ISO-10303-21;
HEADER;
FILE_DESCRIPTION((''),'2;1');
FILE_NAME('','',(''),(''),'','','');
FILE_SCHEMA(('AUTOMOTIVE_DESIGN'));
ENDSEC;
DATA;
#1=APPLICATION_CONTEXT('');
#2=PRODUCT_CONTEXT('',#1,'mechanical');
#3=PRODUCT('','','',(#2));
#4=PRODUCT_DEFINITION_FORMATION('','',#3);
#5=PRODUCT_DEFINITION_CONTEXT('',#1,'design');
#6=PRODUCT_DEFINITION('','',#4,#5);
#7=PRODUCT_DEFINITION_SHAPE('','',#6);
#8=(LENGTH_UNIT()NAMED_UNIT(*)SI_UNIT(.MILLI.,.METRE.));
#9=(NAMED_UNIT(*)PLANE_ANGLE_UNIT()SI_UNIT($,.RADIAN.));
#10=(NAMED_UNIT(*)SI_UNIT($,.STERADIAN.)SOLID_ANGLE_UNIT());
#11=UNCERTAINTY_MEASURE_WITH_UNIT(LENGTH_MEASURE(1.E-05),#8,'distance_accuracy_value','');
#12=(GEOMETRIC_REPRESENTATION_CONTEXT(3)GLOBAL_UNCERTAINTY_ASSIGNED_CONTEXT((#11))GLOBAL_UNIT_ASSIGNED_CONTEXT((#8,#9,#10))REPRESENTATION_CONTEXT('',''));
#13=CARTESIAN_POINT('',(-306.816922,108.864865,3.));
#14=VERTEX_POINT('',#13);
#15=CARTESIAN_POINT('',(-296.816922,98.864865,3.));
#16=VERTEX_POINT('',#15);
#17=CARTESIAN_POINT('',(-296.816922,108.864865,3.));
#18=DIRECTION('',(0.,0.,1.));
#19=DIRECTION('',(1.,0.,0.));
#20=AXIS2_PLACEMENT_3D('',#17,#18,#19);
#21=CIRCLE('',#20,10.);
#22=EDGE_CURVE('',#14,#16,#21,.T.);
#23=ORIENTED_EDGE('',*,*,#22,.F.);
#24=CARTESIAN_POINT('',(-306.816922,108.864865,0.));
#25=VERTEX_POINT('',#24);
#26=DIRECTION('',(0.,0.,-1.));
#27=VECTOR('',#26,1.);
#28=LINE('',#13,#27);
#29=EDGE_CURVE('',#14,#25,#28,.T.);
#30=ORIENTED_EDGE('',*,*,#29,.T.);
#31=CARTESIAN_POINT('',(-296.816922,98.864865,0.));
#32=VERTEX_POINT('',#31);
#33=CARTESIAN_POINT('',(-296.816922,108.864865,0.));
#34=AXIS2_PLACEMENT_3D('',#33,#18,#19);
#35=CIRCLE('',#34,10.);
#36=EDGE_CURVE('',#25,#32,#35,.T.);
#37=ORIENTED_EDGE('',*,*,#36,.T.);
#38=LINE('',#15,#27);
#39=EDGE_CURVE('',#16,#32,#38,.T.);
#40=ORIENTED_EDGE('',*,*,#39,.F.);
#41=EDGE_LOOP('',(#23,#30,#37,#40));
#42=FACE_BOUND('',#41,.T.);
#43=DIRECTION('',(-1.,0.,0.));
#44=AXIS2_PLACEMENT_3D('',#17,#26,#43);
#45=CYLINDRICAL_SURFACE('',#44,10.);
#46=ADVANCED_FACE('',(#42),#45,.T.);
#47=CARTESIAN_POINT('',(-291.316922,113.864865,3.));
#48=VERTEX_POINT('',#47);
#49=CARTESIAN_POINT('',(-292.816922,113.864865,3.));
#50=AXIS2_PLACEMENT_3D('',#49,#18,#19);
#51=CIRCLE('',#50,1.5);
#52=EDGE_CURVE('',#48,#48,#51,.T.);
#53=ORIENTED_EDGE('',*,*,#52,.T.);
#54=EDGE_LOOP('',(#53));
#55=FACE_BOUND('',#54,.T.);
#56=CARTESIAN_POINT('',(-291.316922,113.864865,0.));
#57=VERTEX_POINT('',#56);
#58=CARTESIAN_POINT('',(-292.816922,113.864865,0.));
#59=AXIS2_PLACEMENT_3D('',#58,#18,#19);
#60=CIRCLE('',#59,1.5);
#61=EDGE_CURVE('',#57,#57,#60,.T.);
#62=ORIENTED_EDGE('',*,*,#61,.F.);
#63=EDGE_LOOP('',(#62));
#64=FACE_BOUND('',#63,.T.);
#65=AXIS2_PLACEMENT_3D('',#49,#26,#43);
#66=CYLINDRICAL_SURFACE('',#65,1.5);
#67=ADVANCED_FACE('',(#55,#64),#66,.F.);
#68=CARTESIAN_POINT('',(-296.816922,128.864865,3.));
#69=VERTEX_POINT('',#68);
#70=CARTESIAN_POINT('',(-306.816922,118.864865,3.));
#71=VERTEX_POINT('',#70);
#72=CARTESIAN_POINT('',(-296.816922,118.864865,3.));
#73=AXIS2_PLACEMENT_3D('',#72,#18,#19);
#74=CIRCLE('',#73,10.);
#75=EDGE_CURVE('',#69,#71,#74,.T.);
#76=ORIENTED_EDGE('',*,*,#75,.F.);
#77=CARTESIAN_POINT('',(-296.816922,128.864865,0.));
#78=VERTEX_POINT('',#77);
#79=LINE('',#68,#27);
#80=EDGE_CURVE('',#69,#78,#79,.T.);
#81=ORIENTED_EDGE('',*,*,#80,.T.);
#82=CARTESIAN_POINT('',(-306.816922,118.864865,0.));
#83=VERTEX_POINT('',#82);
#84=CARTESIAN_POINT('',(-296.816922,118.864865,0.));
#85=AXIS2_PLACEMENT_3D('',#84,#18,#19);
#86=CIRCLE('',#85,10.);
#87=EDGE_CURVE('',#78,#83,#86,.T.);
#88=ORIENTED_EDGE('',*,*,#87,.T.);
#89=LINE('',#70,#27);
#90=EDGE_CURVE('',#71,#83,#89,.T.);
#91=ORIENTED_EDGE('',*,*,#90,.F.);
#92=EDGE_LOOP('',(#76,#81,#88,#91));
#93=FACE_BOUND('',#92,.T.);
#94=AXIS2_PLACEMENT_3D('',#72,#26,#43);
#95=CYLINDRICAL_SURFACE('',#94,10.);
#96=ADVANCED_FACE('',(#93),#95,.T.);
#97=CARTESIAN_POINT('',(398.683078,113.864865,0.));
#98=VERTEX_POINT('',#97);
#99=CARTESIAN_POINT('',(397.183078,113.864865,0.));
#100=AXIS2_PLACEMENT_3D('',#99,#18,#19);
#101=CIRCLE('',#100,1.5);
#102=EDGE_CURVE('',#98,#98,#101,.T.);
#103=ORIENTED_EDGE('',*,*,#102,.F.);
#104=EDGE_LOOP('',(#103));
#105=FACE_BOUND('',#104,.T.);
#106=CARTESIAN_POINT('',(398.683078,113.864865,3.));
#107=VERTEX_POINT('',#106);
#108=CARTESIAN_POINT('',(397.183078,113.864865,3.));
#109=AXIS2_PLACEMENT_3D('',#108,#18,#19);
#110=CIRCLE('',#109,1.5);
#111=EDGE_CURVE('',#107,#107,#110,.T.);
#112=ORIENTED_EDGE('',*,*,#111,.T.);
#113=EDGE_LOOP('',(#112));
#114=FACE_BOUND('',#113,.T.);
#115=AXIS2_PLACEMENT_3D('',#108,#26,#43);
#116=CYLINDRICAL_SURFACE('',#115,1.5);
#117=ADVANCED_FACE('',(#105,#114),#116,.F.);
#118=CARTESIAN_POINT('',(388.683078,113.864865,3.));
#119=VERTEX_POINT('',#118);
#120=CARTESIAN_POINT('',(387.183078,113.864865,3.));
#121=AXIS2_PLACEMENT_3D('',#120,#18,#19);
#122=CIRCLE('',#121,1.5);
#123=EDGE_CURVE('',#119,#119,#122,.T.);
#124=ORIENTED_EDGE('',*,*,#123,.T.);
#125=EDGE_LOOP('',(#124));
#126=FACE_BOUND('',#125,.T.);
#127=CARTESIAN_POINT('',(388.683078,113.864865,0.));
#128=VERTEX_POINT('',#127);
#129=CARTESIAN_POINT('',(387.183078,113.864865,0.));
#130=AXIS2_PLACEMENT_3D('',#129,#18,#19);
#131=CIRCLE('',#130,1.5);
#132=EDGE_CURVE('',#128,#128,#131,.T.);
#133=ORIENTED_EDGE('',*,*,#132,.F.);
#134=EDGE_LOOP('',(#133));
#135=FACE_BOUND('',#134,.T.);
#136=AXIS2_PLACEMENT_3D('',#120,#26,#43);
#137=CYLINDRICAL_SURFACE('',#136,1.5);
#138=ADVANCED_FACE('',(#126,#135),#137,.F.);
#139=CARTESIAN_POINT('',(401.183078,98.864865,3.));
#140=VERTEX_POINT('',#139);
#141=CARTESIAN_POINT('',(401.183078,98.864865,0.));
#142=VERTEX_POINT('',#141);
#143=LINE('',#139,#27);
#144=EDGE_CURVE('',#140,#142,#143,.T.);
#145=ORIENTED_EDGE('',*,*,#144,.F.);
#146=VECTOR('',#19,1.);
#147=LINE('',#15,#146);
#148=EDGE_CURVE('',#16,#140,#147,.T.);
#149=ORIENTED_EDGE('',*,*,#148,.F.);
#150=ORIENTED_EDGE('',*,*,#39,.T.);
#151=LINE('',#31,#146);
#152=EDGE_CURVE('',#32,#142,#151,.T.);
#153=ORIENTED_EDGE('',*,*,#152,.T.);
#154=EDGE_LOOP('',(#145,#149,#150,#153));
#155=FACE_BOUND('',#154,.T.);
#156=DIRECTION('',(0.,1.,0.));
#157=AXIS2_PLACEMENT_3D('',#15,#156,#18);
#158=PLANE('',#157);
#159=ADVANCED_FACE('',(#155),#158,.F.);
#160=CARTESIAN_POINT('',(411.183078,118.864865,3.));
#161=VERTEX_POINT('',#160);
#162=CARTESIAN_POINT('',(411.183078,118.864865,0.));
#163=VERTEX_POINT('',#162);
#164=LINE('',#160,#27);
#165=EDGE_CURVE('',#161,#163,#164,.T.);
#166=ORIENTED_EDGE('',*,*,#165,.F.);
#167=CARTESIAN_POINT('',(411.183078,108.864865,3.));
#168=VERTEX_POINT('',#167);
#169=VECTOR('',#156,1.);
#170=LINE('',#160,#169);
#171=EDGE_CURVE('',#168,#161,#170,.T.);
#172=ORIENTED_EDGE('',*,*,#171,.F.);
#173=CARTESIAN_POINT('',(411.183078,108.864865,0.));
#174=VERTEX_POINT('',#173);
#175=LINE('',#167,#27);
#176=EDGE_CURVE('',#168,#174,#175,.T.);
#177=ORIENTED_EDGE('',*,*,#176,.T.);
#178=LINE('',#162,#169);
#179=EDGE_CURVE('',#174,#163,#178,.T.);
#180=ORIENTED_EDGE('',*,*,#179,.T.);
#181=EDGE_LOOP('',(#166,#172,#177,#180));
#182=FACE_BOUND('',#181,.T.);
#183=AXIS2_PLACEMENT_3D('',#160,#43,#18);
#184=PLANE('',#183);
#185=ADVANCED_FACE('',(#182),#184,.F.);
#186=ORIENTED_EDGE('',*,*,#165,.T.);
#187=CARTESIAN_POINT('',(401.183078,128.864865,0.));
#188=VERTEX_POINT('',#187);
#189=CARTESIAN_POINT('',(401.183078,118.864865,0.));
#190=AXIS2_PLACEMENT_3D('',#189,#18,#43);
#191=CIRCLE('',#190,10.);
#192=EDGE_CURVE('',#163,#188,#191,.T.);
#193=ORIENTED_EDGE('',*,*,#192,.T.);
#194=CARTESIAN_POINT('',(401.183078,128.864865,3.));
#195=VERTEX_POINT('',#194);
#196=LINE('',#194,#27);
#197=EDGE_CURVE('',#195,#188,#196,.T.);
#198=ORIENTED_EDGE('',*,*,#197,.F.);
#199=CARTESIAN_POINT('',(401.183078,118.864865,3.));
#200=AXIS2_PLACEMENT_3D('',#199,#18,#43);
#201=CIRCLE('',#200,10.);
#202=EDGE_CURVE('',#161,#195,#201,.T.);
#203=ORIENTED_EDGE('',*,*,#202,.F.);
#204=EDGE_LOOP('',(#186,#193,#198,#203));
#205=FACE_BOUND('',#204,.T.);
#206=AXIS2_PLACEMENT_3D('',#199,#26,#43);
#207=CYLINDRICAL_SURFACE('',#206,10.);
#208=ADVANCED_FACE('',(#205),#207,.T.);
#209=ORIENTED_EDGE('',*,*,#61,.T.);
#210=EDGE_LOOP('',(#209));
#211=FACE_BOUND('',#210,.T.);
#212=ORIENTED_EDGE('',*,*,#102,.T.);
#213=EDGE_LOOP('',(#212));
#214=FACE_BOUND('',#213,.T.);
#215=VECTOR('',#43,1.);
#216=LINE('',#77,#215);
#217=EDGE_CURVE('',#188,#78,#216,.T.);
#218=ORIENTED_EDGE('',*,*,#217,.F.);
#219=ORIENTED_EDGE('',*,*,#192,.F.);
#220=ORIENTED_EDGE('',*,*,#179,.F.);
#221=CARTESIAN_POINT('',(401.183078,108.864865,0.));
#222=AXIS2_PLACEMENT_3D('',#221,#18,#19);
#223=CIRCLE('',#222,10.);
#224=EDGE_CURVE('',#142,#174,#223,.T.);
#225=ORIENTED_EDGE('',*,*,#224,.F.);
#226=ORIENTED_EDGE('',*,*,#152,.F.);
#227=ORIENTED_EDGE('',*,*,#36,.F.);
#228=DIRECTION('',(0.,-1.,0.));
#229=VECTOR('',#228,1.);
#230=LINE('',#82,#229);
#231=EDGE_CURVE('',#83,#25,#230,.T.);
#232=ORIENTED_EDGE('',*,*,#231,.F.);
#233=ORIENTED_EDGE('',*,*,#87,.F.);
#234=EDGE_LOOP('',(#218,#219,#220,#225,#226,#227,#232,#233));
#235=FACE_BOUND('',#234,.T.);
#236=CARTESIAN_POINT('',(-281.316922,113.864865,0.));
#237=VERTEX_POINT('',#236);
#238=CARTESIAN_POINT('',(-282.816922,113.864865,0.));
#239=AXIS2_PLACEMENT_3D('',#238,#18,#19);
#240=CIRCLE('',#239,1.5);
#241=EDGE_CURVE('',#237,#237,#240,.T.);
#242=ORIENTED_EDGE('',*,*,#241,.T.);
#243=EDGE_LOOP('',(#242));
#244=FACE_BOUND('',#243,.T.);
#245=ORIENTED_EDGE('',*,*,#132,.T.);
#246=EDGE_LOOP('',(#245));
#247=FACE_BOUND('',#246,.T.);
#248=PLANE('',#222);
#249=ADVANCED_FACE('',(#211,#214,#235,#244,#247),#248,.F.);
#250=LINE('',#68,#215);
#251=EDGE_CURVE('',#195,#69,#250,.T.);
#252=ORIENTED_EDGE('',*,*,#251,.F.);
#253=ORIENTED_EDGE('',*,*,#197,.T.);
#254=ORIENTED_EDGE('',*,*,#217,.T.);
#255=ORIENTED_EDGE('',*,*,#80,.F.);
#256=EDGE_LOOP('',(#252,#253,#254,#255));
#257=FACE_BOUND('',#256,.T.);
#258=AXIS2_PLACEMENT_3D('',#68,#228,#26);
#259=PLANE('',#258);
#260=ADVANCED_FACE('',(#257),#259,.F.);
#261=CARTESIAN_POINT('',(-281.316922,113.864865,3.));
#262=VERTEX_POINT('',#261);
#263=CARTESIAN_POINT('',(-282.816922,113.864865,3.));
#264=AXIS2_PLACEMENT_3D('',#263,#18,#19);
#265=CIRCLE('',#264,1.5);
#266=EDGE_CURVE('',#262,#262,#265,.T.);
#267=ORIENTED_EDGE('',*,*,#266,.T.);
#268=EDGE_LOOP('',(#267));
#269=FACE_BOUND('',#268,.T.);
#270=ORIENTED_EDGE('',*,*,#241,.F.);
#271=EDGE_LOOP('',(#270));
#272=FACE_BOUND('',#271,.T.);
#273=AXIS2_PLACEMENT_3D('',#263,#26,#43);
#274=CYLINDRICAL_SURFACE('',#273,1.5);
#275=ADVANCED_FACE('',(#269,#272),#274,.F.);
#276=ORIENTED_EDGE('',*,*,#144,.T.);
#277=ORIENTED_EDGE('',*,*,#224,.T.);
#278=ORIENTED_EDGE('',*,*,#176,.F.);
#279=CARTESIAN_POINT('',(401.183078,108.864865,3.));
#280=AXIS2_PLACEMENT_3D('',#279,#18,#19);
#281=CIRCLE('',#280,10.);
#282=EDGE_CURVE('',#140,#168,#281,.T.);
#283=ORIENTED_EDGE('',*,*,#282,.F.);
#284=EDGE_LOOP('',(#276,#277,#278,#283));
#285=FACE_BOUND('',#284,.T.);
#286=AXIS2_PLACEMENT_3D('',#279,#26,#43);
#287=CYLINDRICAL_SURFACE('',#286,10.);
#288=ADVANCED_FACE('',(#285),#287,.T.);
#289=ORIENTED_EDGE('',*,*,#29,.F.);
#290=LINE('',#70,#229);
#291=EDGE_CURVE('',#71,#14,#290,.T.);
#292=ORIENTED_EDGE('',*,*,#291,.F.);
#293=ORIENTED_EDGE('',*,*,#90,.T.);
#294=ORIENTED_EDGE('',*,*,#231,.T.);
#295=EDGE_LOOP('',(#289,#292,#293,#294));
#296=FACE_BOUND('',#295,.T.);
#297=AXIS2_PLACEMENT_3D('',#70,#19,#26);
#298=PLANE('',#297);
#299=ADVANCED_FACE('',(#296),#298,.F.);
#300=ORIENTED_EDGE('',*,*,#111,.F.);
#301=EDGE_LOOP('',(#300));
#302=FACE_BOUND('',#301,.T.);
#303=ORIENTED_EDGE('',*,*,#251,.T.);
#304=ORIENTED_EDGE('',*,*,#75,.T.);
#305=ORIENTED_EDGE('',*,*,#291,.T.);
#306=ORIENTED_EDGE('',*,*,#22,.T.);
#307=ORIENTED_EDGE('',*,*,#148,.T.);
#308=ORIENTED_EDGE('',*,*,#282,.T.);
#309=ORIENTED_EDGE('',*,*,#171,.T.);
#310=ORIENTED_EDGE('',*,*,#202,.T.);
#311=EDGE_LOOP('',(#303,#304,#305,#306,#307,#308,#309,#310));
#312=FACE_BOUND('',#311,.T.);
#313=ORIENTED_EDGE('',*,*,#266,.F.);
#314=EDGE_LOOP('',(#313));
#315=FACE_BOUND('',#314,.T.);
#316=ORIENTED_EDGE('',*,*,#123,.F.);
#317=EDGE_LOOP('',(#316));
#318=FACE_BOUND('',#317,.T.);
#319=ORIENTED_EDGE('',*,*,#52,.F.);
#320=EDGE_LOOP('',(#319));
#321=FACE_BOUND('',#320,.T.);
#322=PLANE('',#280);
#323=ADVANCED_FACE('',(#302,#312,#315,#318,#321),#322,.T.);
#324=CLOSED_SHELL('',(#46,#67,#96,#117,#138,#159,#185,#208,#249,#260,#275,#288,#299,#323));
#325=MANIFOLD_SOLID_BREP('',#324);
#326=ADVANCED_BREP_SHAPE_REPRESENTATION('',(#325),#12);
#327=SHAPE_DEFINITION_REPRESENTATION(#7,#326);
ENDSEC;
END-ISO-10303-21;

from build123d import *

# Parameters (mm, degrees)
SKETCH1_R           = 1.5
BOSS_EXTRUDE1_DEPTH = 3


with BuildPart() as part:
    # Sketch1 → Boss-Extrude1 (new body)
    with BuildSketch(Plane.XY):
        with BuildLine():
            Line((-296.816922301, 128.864864865), (401.183077699, 128.864864865))
            ThreePointArc((401.183077699, 128.864864865), (408.254145511, 125.935932677), (411.183077699, 118.864864865))
            Line((411.183077699, 118.864864865), (411.183077699, 108.864864865))
            ThreePointArc((411.183077699, 108.864864865), (408.254145511, 101.793797053), (401.183077699, 98.864864865))
            Line((401.183077699, 98.864864865), (-296.816922301, 98.864864865))
            ThreePointArc((-296.816922301, 98.864864865), (-303.887990113, 101.793797053), (-306.816922301, 108.864864865))
            Line((-306.816922301, 108.864864865), (-306.816922301, 118.864864865))
            ThreePointArc((-306.816922301, 118.864864865), (-303.887990113, 125.935932677), (-296.816922301, 128.864864865))
        make_face()
        with Locations((-292.816922301, 113.864864865)):
            Circle(SKETCH1_R, mode=Mode.SUBTRACT)
        with Locations((-282.816922301, 113.864864865)):
            Circle(SKETCH1_R, mode=Mode.SUBTRACT)
        with Locations((387.183077699, 113.864864865)):
            Circle(SKETCH1_R, mode=Mode.SUBTRACT)
        with Locations((397.183077699, 113.864864865)):
            Circle(SKETCH1_R, mode=Mode.SUBTRACT)
    extrude(amount=BOSS_EXTRUDE1_DEPTH)


solid = part.part
